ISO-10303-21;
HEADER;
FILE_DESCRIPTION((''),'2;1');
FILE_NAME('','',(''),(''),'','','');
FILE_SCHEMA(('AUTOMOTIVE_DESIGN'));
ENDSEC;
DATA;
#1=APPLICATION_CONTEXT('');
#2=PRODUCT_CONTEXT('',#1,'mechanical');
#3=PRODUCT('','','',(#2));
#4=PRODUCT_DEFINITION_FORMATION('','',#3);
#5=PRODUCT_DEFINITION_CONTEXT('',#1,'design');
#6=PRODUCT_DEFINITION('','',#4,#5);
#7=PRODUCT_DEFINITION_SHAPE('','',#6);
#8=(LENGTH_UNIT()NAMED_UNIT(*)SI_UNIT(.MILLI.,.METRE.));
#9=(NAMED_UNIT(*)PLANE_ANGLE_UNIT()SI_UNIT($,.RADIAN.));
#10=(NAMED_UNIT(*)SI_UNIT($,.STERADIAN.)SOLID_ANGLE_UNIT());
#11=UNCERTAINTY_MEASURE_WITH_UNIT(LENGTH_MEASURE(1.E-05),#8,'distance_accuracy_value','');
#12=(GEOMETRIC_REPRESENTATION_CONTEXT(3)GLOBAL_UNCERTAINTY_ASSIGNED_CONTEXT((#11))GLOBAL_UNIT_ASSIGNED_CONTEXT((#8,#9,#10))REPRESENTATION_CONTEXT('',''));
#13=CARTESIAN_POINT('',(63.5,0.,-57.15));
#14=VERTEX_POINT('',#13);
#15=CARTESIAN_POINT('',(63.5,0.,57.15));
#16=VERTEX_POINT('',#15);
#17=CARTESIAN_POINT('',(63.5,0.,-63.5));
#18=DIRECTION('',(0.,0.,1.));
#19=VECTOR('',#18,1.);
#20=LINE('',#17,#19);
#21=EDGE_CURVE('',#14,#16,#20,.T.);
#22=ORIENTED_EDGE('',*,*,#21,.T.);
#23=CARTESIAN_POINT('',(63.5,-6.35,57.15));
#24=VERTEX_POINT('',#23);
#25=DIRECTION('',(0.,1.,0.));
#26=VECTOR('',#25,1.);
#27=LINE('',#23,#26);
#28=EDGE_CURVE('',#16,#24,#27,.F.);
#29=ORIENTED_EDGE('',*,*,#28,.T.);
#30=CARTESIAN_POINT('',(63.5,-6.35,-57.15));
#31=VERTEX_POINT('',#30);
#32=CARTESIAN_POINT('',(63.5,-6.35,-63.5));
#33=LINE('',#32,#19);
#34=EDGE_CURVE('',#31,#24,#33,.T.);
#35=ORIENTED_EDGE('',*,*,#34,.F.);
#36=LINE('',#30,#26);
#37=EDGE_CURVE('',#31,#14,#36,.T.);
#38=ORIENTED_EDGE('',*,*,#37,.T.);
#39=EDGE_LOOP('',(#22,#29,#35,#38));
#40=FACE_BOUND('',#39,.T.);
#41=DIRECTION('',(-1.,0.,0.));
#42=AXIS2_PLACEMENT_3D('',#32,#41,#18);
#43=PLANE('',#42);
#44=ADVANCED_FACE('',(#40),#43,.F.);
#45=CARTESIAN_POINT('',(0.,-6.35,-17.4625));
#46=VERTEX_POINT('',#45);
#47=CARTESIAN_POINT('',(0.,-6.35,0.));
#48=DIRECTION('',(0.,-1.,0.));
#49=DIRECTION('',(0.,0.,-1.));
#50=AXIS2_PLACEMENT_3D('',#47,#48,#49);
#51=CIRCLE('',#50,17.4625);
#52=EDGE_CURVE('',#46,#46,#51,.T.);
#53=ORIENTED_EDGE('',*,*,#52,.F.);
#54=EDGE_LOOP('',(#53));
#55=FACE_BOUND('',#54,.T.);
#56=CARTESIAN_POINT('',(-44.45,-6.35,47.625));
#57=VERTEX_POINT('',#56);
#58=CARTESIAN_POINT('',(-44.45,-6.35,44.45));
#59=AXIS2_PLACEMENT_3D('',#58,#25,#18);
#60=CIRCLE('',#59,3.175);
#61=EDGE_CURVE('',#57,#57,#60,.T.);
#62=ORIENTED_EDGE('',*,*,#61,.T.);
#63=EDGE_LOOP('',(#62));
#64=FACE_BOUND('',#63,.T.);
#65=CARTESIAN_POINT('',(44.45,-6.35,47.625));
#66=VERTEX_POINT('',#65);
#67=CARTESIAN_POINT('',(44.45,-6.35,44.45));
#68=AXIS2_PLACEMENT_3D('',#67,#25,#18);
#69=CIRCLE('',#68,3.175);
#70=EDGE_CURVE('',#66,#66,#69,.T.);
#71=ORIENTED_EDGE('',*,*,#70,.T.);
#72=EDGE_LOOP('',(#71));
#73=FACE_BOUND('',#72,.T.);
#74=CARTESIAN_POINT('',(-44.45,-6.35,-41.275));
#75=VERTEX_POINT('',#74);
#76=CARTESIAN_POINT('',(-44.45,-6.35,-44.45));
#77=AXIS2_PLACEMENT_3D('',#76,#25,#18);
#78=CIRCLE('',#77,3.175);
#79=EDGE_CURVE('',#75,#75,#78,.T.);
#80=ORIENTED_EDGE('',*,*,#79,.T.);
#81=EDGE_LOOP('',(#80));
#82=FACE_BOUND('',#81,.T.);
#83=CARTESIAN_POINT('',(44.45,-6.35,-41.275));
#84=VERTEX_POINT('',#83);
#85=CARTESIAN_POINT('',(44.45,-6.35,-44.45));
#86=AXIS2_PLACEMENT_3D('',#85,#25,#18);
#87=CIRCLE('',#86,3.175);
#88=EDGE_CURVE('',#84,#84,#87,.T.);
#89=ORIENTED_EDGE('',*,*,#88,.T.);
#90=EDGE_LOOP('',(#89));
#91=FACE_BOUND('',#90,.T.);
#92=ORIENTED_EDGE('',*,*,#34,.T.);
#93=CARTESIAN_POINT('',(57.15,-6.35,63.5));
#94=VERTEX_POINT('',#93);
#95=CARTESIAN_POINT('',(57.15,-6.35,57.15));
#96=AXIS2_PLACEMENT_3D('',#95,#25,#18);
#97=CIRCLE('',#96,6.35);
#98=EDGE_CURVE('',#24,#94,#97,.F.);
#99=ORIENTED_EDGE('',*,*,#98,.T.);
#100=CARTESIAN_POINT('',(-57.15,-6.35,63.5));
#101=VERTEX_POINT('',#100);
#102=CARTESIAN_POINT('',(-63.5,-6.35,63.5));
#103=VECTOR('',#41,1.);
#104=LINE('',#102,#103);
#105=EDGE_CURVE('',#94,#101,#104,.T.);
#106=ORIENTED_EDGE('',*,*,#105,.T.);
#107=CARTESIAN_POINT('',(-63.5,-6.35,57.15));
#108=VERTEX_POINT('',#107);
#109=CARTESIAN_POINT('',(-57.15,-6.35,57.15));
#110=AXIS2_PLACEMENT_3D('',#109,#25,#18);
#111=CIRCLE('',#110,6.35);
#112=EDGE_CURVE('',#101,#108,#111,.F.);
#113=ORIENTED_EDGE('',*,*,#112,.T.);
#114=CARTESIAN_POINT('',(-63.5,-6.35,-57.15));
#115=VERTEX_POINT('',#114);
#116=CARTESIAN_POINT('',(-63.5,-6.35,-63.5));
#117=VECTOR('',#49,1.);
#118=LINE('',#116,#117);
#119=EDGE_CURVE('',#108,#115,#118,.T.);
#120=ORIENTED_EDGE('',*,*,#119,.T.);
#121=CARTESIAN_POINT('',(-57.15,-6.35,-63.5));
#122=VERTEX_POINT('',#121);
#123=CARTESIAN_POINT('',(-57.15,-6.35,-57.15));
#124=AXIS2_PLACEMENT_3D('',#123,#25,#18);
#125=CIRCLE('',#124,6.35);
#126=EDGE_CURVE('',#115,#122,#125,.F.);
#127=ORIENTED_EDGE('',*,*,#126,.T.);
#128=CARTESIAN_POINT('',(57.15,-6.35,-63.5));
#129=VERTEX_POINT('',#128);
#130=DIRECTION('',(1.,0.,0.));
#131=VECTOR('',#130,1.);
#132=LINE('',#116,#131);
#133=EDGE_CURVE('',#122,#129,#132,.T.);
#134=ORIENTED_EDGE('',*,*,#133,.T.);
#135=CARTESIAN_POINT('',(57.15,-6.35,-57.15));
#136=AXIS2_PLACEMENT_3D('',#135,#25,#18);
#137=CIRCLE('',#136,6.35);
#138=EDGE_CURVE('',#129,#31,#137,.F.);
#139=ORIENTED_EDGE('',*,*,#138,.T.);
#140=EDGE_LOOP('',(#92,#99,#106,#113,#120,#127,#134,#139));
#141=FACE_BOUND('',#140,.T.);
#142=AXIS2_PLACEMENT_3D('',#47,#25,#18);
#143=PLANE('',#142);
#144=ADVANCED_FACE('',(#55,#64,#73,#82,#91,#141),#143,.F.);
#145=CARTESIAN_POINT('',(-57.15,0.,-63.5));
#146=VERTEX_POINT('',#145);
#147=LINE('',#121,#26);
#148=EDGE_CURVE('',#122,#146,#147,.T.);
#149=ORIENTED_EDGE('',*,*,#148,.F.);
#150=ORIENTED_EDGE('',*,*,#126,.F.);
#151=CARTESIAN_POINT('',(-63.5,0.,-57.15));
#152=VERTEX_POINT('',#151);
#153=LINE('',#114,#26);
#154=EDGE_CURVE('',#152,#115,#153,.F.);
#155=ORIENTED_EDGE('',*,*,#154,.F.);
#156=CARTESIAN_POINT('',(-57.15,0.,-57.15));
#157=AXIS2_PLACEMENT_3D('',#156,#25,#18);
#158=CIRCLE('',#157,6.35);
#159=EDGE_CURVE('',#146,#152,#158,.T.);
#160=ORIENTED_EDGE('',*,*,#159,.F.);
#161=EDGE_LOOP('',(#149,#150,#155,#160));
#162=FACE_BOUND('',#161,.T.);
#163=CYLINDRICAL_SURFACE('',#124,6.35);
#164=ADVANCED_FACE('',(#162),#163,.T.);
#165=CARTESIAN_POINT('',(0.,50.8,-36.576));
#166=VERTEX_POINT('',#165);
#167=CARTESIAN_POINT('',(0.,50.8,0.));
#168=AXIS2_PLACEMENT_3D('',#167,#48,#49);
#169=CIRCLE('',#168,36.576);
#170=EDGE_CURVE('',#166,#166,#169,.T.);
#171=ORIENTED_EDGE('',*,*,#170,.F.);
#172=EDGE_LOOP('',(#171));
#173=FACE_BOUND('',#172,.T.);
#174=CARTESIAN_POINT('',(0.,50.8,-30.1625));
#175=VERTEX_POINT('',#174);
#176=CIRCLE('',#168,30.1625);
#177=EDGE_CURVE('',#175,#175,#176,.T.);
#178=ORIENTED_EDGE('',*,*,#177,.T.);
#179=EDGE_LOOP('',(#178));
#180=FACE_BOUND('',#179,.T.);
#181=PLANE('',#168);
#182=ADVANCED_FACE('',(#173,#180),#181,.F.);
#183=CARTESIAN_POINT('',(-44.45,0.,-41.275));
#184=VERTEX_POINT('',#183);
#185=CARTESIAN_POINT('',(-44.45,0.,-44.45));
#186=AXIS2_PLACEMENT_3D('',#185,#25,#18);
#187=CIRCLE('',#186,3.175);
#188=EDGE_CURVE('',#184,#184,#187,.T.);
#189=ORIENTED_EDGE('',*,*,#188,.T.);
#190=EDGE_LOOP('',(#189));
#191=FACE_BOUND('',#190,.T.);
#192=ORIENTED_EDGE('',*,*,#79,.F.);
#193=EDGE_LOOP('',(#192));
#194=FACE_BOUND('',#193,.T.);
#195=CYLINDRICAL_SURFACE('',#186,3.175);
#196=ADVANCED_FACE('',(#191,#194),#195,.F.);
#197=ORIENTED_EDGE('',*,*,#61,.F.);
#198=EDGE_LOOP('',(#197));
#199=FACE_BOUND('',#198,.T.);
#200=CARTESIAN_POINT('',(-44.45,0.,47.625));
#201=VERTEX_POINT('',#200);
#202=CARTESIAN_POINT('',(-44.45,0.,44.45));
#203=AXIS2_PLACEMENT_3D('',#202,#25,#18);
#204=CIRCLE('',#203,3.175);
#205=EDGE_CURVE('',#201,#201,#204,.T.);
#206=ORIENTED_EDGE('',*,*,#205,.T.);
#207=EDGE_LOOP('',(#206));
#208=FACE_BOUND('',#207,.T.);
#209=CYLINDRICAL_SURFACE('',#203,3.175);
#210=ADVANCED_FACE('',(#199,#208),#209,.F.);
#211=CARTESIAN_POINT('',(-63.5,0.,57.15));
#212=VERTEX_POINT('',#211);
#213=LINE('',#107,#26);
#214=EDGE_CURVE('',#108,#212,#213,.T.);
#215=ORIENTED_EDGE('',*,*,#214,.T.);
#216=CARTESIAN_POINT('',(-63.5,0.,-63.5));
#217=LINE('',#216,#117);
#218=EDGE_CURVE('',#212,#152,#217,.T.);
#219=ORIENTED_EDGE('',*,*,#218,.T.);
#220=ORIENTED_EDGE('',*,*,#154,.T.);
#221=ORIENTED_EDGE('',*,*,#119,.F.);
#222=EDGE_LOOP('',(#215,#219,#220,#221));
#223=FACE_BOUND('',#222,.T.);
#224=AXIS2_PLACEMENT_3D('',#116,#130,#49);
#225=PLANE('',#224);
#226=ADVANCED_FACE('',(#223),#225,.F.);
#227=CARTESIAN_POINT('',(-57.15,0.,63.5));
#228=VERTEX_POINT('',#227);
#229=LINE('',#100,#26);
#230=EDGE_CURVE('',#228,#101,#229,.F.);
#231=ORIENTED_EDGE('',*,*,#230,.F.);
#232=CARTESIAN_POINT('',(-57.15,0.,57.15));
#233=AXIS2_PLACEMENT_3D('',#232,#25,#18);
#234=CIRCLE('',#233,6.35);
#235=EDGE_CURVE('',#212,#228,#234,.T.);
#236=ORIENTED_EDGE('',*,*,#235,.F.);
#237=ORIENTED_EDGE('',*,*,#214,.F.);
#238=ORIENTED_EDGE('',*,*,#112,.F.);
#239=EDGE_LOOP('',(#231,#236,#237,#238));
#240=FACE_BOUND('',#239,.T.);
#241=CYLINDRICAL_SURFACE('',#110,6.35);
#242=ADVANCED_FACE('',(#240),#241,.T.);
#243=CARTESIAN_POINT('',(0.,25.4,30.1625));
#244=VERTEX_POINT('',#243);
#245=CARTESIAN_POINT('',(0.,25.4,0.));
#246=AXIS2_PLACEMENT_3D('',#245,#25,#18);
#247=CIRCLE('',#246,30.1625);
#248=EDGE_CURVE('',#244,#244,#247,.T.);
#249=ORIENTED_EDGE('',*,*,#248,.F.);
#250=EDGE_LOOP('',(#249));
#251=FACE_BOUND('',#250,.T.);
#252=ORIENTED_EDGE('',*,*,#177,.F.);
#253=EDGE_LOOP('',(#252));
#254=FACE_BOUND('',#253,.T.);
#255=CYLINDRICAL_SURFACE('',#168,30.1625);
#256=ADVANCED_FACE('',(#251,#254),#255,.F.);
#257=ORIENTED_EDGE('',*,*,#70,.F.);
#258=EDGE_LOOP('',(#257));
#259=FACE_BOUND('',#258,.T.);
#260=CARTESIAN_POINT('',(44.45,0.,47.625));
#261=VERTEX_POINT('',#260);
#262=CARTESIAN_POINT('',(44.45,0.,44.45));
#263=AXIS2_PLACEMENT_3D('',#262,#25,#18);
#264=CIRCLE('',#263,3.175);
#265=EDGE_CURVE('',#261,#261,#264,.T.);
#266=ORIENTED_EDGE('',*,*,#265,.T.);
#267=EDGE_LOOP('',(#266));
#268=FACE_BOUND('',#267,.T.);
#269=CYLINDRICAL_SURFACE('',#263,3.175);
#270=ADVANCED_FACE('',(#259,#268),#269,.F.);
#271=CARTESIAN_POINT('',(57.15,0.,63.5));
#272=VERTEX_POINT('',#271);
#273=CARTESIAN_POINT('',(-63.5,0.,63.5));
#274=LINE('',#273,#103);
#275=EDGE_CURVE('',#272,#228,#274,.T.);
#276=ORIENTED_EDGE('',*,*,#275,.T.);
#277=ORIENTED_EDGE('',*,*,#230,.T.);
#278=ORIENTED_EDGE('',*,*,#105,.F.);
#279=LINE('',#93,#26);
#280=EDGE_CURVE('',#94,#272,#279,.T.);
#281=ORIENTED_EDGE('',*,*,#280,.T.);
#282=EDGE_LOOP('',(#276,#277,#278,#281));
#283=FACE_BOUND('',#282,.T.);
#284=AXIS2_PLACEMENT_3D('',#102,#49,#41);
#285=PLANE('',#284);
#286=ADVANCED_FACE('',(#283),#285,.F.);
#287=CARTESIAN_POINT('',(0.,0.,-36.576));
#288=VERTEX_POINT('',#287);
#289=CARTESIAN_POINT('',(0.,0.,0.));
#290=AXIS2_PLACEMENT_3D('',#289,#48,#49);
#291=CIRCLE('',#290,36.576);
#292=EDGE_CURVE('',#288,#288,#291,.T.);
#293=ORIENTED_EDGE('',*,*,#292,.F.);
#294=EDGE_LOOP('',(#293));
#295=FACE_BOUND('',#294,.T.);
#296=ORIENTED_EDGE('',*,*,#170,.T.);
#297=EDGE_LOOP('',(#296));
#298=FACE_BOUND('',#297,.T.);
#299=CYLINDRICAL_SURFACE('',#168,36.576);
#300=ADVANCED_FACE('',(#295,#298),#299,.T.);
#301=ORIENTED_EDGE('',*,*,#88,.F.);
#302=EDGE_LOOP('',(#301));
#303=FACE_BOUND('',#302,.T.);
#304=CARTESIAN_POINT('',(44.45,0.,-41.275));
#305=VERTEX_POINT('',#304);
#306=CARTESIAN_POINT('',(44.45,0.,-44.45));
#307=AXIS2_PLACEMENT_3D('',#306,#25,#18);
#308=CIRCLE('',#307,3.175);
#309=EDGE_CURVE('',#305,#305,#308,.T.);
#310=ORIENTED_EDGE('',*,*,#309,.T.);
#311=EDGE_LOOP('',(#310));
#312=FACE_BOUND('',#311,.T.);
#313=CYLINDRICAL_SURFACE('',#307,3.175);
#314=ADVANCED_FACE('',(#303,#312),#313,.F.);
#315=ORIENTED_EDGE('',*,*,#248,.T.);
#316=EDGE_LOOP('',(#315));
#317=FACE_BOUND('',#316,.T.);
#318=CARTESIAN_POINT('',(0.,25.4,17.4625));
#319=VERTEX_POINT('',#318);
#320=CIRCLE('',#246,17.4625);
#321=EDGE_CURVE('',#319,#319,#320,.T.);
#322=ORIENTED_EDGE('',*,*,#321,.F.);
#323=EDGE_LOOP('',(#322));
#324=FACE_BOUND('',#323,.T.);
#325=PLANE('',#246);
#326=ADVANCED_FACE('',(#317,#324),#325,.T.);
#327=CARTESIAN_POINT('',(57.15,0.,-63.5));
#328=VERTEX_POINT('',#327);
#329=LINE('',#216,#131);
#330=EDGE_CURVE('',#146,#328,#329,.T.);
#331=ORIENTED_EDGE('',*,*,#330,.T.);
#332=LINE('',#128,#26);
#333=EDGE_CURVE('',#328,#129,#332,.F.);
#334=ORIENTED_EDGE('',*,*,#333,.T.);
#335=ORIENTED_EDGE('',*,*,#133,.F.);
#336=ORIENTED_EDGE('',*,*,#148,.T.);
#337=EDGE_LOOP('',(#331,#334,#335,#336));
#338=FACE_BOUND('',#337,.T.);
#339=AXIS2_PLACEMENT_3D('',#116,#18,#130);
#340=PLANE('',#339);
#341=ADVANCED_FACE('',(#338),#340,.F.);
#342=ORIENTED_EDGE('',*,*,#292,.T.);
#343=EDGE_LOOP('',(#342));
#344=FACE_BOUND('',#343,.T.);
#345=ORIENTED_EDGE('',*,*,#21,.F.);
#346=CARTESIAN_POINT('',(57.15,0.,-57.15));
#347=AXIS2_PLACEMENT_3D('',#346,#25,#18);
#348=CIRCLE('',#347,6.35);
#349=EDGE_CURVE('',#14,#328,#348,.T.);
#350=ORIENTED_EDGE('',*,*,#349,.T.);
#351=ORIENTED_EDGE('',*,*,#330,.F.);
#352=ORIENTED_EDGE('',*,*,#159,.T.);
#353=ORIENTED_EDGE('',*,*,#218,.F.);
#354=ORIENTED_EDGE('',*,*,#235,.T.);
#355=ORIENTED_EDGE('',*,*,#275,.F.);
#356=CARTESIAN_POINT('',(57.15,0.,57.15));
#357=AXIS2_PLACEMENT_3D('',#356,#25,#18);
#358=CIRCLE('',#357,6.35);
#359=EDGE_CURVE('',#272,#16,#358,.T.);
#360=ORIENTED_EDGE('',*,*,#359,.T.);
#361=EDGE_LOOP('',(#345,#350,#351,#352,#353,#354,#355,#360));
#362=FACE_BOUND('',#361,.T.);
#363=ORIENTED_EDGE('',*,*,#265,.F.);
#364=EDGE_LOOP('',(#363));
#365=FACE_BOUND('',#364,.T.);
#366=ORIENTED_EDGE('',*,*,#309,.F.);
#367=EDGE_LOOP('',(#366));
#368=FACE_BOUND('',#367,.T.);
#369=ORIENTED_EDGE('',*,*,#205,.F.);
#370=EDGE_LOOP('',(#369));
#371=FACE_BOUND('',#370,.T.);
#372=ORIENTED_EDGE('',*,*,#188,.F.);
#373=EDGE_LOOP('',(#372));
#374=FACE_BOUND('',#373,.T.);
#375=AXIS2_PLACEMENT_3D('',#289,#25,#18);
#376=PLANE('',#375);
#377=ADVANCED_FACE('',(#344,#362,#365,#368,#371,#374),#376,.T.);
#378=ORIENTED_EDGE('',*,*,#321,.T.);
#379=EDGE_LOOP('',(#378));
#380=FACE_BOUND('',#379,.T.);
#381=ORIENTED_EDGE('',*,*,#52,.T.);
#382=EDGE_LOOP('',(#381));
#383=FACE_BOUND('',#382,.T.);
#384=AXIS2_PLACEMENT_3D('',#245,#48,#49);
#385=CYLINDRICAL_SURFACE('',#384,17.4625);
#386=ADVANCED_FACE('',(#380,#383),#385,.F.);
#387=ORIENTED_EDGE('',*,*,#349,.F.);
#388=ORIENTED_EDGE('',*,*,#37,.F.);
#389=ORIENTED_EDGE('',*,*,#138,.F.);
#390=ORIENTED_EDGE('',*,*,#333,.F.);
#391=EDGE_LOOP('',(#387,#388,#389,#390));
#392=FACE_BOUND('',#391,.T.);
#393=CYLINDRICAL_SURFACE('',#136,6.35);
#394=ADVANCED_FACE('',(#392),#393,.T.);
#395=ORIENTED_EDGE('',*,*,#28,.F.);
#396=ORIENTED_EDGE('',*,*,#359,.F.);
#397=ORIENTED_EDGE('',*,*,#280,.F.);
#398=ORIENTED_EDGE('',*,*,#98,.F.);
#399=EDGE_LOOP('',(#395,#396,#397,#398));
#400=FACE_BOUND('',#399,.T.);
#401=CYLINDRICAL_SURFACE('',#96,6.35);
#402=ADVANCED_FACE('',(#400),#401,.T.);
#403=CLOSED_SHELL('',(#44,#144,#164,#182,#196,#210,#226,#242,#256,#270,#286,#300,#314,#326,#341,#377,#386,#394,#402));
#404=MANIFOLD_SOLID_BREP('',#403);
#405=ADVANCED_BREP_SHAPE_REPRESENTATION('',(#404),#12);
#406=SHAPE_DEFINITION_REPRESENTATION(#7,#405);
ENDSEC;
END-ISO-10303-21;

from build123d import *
from build123d.topology import SkipClean

# Parameters (mm, degrees)
SKETCH1_R                   = 30.1625
SKETCH1_R_2                 = 17.4625
ID_2_DEPTH                  = 25.4
SKETCH2_R                   = 36.576
SKETCH2_R_2                 = 30.1625
OD_DEPTH                    = 50.8
BASE_START                  = 6.35
SKETCH3_W                   = 127
SKETCH3_H                   = 127
SKETCH3_R                   = 17.4625
BASE_DEPTH                  = 6.35
BASE_CORNER_FILLET_R        = 6.35
F_1_4_0_25_DIAMETER_HOLE1_D = 6.35
BOLT_PATTERN_COUNT          = 4


with BuildPart() as part:
    # Sketch1 → ID 2 (new body)
    with BuildSketch(Plane(origin=(0, 0, 0), x_dir=(1, 0, 0), z_dir=(0, 1, 0))):
        with Locations(Location((0, 0, 0), (0, 0, 270))):
            Circle(SKETCH1_R)
        with Locations(Location((0, 0, 0), (0, 0, 270))):
            Circle(SKETCH1_R_2, mode=Mode.SUBTRACT)
    extrude(amount=ID_2_DEPTH)

    # Sketch2 → OD (add)
    with BuildSketch(Plane.XZ):
        with Locations(Location((0, 0, 0), (0, 0, 270))):
            Circle(SKETCH2_R)
        with Locations(Location((0, 0, 0), (0, 0, 270))):
            Circle(SKETCH2_R_2, mode=Mode.SUBTRACT)
    extrude(amount=-OD_DEPTH)

    # Sketch3 → Base (add)
    with SkipClean():  # the faces are left unmerged after this step: merging them gives an invalid solid
        with BuildSketch(Plane.XZ.offset(BASE_START)):
            Rectangle(SKETCH3_W, SKETCH3_H)
            with Locations(Location((0, 0, 0), (0, 0, 270))):
                Circle(SKETCH3_R, mode=Mode.SUBTRACT)
        extrude(amount=-BASE_DEPTH)

    # Base corner fillet
    base_corner_fillet_edges = [part.edges().sort_by_distance(p)[0] for p in [
        (63.5, -3.175, -63.5),
        (63.5, -3.175, 63.5),
        (-63.5, -3.175, 63.5),
        (-63.5, -3.175, -63.5),
    ]]
    fillet(base_corner_fillet_edges, radius=BASE_CORNER_FILLET_R)

    # 1/4 (0.25) Diameter Hole1 (through all)
    with Locations(Plane(origin=(0, 0, 0), x_dir=(1, 0, 0), z_dir=(0, 1, 0))):
        with Locations((-44.45, -44.45)):
            f_1_4_0_25_diameter_hole1 = Hole(F_1_4_0_25_DIAMETER_HOLE1_D / 2)

    # Bolt Pattern: 1/4 (0.25) Diameter Hole1 ×4 about axis
    bolt_pattern_axis = Axis((0, 0, 0), (0, 1, 0))
    for i in range(1, BOLT_PATTERN_COUNT):
        add(f_1_4_0_25_diameter_hole1.rotate(bolt_pattern_axis, i * 360 / BOLT_PATTERN_COUNT), mode=Mode.SUBTRACT)


solid = part.part
